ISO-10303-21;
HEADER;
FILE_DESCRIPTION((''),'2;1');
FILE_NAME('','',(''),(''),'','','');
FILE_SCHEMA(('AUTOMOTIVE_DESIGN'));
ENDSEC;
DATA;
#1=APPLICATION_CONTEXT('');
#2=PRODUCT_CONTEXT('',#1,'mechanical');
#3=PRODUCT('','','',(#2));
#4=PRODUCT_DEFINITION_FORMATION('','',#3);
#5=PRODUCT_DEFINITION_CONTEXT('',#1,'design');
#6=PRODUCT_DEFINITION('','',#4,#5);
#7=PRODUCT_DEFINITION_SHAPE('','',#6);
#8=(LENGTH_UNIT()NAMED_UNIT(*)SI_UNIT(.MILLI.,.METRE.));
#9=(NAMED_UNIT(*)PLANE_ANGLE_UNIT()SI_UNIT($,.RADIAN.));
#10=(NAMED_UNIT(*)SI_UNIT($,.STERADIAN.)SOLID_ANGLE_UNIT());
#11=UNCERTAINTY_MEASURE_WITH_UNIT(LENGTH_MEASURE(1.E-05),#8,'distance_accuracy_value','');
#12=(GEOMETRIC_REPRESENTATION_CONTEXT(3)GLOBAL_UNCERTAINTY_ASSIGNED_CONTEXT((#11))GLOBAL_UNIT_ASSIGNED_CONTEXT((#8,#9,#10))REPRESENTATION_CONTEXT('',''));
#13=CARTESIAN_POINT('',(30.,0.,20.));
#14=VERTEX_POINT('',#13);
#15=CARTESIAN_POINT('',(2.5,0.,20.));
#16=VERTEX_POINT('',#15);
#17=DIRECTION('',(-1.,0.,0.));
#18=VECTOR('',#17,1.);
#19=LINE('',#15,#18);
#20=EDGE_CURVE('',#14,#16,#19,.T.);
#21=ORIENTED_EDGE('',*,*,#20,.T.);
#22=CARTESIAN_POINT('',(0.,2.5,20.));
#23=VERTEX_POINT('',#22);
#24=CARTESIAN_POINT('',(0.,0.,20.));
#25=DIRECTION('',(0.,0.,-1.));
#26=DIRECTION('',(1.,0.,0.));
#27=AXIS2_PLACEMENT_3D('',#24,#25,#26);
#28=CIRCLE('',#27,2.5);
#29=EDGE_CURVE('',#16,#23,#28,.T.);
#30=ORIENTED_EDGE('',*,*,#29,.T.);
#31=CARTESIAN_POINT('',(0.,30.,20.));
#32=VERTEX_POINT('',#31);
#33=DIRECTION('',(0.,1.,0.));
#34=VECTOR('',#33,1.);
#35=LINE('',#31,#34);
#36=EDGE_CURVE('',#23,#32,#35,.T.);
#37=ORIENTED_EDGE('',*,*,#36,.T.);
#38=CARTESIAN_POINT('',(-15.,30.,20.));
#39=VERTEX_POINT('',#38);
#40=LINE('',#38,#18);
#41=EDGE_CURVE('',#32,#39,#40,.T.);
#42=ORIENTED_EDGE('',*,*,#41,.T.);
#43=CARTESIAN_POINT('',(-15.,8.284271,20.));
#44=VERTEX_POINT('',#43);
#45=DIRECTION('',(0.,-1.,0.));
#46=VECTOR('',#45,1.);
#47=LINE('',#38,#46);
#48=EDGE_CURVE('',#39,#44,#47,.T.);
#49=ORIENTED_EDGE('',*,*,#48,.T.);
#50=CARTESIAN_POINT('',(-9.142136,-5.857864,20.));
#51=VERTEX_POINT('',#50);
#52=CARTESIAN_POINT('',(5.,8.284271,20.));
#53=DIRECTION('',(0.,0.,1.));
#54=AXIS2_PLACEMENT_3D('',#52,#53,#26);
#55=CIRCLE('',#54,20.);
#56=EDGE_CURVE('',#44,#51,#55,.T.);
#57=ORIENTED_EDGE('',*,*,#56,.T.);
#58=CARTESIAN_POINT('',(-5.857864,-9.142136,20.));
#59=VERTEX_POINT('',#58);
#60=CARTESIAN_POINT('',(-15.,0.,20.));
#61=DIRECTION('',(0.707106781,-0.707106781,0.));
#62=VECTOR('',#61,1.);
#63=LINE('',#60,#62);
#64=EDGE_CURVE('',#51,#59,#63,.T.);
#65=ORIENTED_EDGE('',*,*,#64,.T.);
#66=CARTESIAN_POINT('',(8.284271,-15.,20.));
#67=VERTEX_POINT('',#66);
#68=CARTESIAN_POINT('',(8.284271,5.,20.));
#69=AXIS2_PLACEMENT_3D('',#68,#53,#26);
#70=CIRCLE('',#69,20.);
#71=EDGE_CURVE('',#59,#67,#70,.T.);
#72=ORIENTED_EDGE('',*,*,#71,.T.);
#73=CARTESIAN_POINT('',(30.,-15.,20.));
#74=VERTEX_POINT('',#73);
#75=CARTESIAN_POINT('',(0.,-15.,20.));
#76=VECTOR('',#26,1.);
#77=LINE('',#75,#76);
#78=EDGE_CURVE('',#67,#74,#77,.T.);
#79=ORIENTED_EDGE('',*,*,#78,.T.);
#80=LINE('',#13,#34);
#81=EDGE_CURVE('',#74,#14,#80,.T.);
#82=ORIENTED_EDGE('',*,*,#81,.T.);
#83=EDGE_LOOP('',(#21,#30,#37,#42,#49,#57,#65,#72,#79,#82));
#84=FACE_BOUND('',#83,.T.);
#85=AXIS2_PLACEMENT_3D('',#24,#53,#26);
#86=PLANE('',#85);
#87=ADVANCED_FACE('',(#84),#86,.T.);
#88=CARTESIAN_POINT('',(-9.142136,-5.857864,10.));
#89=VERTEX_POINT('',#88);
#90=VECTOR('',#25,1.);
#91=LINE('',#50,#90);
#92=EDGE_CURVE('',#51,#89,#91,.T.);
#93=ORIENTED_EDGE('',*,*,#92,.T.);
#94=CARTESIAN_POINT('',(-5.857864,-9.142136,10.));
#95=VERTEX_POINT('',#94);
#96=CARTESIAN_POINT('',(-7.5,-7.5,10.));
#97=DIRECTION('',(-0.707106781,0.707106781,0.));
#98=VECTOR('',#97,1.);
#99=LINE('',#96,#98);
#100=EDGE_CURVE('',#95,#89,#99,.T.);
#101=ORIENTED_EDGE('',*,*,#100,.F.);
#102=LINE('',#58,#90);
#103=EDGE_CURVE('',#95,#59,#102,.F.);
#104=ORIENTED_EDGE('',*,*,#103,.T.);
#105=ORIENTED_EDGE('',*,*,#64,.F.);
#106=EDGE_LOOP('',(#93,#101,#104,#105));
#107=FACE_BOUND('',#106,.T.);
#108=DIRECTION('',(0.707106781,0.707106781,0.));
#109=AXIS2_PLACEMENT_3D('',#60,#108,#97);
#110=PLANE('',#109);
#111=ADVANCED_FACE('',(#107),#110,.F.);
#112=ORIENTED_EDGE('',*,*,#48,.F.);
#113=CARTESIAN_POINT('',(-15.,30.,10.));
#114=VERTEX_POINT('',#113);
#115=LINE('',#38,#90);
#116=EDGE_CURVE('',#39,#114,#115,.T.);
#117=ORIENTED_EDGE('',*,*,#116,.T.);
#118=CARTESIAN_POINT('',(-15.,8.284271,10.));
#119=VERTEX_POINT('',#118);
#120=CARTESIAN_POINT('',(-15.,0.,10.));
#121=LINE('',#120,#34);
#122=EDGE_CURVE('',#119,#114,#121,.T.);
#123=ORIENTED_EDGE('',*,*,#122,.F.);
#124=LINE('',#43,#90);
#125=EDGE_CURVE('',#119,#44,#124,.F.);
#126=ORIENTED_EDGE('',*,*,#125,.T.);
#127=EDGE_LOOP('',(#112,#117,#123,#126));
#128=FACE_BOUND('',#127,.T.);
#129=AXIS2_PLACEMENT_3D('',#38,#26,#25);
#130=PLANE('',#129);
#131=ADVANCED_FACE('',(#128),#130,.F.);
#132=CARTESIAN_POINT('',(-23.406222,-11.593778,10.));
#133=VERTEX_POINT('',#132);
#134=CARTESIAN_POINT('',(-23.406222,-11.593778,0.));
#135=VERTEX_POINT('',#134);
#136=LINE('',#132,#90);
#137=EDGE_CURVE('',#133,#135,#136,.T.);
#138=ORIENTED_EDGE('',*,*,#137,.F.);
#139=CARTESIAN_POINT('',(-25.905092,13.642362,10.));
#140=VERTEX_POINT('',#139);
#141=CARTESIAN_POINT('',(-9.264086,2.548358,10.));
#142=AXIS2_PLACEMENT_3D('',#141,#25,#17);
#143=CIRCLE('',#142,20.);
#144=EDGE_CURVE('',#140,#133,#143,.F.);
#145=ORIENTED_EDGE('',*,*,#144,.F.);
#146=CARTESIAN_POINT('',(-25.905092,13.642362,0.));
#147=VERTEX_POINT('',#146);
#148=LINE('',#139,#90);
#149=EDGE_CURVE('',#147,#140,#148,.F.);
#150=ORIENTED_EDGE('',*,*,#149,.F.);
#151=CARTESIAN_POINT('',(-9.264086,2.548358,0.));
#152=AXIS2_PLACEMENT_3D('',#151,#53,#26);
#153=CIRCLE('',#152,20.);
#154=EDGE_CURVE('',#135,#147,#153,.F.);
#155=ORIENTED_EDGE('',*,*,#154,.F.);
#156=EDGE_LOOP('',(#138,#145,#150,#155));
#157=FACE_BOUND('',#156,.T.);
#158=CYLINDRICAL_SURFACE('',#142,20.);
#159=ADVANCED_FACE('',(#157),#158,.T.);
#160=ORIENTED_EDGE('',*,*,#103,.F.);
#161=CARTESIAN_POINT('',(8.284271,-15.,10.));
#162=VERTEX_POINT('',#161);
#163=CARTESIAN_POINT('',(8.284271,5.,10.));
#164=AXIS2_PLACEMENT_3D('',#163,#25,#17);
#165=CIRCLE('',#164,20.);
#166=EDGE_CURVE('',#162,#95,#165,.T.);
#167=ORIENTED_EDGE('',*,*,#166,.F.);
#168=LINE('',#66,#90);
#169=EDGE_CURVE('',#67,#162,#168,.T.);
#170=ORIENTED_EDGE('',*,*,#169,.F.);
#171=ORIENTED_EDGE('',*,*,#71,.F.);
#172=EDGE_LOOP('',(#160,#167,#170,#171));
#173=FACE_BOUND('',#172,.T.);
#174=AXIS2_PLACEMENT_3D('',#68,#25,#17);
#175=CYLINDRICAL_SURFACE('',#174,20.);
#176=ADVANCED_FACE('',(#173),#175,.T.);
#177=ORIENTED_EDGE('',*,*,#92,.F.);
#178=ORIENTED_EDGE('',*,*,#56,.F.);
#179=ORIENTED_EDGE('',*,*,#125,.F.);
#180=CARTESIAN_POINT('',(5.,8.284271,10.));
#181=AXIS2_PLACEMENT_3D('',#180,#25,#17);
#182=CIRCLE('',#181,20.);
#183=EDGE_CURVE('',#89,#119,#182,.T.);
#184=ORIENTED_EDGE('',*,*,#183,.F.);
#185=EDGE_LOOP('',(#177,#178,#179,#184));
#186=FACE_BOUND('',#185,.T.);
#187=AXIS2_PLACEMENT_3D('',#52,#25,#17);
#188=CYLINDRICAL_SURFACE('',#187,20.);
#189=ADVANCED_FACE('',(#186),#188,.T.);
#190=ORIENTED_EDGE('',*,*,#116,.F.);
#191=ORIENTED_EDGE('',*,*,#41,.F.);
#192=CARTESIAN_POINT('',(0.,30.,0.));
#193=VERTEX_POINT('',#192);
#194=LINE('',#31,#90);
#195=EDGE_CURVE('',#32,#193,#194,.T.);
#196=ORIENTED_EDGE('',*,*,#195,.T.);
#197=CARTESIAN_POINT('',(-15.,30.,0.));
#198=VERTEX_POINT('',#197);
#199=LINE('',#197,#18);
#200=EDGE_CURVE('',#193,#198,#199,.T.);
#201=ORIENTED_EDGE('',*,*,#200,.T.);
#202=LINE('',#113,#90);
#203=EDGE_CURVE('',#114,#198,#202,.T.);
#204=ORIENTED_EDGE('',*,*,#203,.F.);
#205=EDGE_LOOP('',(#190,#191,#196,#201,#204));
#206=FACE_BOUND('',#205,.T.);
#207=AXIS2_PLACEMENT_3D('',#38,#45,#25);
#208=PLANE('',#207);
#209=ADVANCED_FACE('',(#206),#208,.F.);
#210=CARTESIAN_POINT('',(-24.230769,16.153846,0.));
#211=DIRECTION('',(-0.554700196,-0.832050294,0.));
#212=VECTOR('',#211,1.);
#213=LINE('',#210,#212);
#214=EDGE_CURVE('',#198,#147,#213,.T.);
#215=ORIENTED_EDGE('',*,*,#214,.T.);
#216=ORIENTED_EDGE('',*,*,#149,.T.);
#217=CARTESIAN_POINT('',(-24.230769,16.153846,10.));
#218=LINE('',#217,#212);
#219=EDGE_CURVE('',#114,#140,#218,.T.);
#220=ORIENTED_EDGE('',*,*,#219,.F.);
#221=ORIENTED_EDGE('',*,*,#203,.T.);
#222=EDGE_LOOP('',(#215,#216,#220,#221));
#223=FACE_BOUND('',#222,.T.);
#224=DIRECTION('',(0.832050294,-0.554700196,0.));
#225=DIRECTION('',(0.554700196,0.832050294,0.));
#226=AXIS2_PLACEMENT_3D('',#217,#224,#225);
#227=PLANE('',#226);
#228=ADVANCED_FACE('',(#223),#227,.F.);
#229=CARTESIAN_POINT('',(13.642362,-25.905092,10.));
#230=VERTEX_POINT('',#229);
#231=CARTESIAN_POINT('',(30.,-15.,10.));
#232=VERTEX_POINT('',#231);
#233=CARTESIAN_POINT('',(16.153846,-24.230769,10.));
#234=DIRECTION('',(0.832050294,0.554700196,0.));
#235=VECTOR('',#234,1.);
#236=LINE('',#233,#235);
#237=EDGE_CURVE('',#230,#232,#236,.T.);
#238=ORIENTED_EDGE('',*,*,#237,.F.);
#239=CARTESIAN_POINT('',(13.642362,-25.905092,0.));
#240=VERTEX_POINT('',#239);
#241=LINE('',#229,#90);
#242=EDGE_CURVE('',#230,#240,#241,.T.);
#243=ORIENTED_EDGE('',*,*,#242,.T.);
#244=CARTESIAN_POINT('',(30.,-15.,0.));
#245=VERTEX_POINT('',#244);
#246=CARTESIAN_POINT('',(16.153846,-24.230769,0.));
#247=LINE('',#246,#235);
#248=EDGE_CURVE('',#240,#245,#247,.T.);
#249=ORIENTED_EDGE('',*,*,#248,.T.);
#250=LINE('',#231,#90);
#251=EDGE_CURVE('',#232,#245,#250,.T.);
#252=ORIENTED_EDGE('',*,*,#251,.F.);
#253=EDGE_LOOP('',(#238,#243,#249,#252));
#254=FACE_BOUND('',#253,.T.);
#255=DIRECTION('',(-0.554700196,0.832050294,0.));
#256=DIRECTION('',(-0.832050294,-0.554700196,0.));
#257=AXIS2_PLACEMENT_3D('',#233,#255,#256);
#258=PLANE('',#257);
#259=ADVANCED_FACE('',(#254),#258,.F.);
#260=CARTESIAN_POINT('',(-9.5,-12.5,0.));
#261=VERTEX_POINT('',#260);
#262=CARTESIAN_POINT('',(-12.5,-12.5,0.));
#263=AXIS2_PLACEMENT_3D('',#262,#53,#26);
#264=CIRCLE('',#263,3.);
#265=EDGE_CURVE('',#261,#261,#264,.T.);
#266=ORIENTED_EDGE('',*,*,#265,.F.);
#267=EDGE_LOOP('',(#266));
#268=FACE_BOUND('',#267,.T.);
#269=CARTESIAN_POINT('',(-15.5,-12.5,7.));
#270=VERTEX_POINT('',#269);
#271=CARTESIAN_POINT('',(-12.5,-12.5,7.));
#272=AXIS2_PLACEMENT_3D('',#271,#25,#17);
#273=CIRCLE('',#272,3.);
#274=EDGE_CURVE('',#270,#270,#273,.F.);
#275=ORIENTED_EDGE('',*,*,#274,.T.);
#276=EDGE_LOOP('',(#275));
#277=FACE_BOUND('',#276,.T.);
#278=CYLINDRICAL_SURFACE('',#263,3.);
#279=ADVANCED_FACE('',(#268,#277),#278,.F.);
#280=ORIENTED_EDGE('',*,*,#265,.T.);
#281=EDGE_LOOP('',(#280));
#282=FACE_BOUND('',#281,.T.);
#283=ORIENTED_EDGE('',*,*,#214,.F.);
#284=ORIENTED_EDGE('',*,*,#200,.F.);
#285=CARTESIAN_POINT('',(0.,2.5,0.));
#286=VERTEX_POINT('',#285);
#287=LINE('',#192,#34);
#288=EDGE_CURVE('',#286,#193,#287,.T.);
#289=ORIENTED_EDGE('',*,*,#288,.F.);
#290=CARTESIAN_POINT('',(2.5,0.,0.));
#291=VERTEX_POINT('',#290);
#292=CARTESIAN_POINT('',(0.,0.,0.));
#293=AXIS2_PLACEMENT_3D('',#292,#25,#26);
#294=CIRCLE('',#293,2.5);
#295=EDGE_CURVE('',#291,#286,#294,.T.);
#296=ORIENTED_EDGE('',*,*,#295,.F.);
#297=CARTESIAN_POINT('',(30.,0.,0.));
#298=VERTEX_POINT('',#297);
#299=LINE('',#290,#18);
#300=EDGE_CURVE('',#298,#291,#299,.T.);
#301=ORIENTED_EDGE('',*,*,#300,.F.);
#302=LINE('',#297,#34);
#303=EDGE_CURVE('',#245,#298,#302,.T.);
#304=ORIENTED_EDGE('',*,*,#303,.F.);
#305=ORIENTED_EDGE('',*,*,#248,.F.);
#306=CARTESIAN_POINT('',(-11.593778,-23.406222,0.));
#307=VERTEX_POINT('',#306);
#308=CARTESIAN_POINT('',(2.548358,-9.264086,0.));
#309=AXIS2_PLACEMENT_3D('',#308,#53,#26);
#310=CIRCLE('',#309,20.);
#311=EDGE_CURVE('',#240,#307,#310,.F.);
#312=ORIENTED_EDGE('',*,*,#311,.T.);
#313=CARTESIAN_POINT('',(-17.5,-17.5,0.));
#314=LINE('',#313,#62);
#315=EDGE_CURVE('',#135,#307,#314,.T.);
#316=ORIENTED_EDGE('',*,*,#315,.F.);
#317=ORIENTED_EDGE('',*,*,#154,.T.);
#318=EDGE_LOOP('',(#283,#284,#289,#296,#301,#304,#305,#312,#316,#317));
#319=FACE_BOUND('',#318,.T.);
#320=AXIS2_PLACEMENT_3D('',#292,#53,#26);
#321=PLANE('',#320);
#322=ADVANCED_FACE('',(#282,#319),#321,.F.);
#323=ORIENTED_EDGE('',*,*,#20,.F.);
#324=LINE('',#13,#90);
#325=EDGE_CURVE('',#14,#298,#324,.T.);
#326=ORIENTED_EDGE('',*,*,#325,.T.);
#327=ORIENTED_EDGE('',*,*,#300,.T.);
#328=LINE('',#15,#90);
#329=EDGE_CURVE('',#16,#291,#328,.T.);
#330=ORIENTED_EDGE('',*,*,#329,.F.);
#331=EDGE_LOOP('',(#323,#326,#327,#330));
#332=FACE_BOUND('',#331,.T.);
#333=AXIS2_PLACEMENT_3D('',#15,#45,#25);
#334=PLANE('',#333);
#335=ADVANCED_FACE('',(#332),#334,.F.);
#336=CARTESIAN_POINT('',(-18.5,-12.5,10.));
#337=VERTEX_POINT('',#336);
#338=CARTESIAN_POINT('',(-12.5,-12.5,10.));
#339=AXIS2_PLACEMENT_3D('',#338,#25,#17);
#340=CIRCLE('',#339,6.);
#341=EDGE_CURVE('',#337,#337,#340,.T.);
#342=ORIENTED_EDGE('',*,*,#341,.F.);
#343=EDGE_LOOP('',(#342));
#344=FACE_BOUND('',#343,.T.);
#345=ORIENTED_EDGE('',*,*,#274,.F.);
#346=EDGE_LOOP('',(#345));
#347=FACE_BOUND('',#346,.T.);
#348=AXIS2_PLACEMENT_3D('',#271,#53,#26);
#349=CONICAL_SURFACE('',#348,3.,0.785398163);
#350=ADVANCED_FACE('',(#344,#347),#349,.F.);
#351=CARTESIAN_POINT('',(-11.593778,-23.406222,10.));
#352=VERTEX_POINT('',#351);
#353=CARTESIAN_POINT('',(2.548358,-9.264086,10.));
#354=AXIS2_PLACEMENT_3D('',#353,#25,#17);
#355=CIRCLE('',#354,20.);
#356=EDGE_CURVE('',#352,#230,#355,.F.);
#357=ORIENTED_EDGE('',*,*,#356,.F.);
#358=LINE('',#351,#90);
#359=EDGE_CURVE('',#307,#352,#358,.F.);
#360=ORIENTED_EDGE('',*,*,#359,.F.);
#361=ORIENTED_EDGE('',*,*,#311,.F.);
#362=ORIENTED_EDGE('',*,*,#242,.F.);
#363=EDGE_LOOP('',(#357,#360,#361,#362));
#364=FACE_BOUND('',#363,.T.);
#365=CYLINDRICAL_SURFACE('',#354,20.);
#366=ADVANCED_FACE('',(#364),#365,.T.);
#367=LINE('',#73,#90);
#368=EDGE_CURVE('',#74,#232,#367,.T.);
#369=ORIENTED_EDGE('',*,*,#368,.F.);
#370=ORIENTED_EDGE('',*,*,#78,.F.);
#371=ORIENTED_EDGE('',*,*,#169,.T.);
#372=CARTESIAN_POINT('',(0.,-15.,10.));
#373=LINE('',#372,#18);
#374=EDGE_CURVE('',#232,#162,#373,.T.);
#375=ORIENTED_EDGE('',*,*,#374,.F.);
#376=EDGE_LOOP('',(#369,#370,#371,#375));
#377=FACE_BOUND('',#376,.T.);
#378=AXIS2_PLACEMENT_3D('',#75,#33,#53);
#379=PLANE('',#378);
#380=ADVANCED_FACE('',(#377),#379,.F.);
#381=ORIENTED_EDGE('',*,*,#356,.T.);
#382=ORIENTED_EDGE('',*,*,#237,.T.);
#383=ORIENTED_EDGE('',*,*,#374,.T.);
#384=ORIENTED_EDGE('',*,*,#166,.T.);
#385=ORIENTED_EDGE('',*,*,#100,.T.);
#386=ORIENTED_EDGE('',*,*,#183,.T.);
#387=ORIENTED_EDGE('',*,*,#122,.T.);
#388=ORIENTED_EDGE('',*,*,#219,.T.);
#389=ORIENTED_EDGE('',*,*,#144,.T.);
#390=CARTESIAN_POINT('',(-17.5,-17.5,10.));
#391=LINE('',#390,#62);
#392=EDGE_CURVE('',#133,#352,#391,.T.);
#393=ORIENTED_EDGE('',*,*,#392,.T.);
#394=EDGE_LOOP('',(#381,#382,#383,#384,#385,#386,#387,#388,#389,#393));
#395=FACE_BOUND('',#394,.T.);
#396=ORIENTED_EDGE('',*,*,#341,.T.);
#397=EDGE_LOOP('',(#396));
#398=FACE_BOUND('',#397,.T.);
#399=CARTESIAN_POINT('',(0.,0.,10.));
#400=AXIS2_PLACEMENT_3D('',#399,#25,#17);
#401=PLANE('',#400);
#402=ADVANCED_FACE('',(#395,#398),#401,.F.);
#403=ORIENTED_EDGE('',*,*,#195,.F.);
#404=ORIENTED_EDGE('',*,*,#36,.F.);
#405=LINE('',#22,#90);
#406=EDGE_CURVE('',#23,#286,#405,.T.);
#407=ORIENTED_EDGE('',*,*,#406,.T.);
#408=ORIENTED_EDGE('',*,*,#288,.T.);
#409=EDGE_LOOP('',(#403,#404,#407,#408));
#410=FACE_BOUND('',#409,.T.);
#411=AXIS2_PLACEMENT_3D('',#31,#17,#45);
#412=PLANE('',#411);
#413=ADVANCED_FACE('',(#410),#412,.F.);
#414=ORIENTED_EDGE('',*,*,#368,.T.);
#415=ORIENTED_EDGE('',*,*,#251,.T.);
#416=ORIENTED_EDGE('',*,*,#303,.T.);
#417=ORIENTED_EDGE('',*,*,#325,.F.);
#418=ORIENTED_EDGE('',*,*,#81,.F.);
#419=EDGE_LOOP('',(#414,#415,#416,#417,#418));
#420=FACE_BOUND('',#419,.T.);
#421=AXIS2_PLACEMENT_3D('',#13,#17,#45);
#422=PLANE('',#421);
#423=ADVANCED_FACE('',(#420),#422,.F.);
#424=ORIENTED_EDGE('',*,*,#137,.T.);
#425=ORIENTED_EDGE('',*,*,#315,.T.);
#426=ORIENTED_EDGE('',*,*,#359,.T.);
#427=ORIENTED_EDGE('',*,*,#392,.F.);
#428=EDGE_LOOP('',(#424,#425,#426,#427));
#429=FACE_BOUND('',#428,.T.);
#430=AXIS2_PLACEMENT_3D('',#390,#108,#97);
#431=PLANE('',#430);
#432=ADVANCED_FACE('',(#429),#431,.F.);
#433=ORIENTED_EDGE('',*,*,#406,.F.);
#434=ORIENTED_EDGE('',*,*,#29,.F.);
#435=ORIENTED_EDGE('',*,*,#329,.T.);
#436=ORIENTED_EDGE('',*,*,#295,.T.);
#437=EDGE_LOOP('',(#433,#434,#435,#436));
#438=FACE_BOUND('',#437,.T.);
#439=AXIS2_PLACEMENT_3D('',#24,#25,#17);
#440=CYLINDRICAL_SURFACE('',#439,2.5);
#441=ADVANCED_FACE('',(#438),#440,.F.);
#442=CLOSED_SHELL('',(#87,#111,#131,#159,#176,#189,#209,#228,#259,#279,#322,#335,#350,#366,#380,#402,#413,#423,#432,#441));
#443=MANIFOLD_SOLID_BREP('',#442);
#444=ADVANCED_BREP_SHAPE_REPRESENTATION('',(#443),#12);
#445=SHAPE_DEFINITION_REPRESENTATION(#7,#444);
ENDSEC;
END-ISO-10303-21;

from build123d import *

# Parameters (mm, degrees)
ESTRUSIONE_ESTRUSIONE1_DEPTH = 20
ESTRUSIONE_ESTRUSIONE3_DEPTH = 10
TAGLIO_ESTRUSIONE2_DEPTH     = 51.497524692
SMUSSO2_SIZE                 = 3
RACCORDO3_R                  = 20


with BuildPart() as part:
    # Schizzo1 → Estrusione-Estrusione1 (new body)
    with BuildSketch(Plane.XY):
        with BuildLine():
            Line((-15, 0), (0, -15))
            Line((0, -15), (30, -15))
            Line((30, -15), (30, 0))
            Line((30, 0), (2.5, 0))
            ThreePointArc((2.5, 0), (-1.767766953, -1.767766953), (0, 2.5))
            Line((0, 2.5), (0, 30))
            Line((0, 30), (-15, 30))
            Line((-15, 30), (-15, 0))
        make_face()
    extrude(amount=ESTRUSIONE_ESTRUSIONE1_DEPTH)

    # Schizzo2 → Estrusione-Estrusione3 (add)
    with BuildSketch(Plane(origin=(0, 0, 0), x_dir=(-1, 0, 0), z_dir=(0, 0, -1))):
        Polygon((35, 0), (15, 30), (15, 0), (0, -15), (-30, -15), (0, -35), align=None)
    extrude(amount=-ESTRUSIONE_ESTRUSIONE3_DEPTH)

    # Schizzo4 → Taglio-Estrusione2 (cut, through all)
    with BuildSketch(Plane.XY.offset(10)):
        with BuildLine():
            ThreePointArc((-9.5, -12.5), (-9.728361402, -11.351949703), (-10.378679656, -10.378679656))
            Line((-10.378679656, -10.378679656), (-14.621320344, -14.621320344))
            ThreePointArc((-14.621320344, -14.621320344), (-11.351949703, -15.271638598), (-9.5, -12.5))
        make_face()
        with BuildLine():
            Line((-14.621320344, -14.621320344), (-10.378679656, -10.378679656))
            ThreePointArc((-10.378679656, -10.378679656), (-14.621320344, -10.378679656), (-14.621320344, -14.621320344))
        make_face()
    extrude(amount=-TAGLIO_ESTRUSIONE2_DEPTH, mode=Mode.SUBTRACT)

    # Smusso2
    smusso2_edges = [part.edges().sort_by_distance(p)[0] for p in [
        (-10.378679656, -10.378679656, 10),
    ]]
    chamfer(smusso2_edges, length=SMUSSO2_SIZE)

    # Raccordo3
    raccordo3_edges = [part.edges().sort_by_distance(p)[0] for p in [
        (0, -15, 15),
        (-15, 0, 15),
        (-35, 0, 5),
        (0, -35, 5),
    ]]
    fillet(raccordo3_edges, radius=RACCORDO3_R)


solid = part.part
